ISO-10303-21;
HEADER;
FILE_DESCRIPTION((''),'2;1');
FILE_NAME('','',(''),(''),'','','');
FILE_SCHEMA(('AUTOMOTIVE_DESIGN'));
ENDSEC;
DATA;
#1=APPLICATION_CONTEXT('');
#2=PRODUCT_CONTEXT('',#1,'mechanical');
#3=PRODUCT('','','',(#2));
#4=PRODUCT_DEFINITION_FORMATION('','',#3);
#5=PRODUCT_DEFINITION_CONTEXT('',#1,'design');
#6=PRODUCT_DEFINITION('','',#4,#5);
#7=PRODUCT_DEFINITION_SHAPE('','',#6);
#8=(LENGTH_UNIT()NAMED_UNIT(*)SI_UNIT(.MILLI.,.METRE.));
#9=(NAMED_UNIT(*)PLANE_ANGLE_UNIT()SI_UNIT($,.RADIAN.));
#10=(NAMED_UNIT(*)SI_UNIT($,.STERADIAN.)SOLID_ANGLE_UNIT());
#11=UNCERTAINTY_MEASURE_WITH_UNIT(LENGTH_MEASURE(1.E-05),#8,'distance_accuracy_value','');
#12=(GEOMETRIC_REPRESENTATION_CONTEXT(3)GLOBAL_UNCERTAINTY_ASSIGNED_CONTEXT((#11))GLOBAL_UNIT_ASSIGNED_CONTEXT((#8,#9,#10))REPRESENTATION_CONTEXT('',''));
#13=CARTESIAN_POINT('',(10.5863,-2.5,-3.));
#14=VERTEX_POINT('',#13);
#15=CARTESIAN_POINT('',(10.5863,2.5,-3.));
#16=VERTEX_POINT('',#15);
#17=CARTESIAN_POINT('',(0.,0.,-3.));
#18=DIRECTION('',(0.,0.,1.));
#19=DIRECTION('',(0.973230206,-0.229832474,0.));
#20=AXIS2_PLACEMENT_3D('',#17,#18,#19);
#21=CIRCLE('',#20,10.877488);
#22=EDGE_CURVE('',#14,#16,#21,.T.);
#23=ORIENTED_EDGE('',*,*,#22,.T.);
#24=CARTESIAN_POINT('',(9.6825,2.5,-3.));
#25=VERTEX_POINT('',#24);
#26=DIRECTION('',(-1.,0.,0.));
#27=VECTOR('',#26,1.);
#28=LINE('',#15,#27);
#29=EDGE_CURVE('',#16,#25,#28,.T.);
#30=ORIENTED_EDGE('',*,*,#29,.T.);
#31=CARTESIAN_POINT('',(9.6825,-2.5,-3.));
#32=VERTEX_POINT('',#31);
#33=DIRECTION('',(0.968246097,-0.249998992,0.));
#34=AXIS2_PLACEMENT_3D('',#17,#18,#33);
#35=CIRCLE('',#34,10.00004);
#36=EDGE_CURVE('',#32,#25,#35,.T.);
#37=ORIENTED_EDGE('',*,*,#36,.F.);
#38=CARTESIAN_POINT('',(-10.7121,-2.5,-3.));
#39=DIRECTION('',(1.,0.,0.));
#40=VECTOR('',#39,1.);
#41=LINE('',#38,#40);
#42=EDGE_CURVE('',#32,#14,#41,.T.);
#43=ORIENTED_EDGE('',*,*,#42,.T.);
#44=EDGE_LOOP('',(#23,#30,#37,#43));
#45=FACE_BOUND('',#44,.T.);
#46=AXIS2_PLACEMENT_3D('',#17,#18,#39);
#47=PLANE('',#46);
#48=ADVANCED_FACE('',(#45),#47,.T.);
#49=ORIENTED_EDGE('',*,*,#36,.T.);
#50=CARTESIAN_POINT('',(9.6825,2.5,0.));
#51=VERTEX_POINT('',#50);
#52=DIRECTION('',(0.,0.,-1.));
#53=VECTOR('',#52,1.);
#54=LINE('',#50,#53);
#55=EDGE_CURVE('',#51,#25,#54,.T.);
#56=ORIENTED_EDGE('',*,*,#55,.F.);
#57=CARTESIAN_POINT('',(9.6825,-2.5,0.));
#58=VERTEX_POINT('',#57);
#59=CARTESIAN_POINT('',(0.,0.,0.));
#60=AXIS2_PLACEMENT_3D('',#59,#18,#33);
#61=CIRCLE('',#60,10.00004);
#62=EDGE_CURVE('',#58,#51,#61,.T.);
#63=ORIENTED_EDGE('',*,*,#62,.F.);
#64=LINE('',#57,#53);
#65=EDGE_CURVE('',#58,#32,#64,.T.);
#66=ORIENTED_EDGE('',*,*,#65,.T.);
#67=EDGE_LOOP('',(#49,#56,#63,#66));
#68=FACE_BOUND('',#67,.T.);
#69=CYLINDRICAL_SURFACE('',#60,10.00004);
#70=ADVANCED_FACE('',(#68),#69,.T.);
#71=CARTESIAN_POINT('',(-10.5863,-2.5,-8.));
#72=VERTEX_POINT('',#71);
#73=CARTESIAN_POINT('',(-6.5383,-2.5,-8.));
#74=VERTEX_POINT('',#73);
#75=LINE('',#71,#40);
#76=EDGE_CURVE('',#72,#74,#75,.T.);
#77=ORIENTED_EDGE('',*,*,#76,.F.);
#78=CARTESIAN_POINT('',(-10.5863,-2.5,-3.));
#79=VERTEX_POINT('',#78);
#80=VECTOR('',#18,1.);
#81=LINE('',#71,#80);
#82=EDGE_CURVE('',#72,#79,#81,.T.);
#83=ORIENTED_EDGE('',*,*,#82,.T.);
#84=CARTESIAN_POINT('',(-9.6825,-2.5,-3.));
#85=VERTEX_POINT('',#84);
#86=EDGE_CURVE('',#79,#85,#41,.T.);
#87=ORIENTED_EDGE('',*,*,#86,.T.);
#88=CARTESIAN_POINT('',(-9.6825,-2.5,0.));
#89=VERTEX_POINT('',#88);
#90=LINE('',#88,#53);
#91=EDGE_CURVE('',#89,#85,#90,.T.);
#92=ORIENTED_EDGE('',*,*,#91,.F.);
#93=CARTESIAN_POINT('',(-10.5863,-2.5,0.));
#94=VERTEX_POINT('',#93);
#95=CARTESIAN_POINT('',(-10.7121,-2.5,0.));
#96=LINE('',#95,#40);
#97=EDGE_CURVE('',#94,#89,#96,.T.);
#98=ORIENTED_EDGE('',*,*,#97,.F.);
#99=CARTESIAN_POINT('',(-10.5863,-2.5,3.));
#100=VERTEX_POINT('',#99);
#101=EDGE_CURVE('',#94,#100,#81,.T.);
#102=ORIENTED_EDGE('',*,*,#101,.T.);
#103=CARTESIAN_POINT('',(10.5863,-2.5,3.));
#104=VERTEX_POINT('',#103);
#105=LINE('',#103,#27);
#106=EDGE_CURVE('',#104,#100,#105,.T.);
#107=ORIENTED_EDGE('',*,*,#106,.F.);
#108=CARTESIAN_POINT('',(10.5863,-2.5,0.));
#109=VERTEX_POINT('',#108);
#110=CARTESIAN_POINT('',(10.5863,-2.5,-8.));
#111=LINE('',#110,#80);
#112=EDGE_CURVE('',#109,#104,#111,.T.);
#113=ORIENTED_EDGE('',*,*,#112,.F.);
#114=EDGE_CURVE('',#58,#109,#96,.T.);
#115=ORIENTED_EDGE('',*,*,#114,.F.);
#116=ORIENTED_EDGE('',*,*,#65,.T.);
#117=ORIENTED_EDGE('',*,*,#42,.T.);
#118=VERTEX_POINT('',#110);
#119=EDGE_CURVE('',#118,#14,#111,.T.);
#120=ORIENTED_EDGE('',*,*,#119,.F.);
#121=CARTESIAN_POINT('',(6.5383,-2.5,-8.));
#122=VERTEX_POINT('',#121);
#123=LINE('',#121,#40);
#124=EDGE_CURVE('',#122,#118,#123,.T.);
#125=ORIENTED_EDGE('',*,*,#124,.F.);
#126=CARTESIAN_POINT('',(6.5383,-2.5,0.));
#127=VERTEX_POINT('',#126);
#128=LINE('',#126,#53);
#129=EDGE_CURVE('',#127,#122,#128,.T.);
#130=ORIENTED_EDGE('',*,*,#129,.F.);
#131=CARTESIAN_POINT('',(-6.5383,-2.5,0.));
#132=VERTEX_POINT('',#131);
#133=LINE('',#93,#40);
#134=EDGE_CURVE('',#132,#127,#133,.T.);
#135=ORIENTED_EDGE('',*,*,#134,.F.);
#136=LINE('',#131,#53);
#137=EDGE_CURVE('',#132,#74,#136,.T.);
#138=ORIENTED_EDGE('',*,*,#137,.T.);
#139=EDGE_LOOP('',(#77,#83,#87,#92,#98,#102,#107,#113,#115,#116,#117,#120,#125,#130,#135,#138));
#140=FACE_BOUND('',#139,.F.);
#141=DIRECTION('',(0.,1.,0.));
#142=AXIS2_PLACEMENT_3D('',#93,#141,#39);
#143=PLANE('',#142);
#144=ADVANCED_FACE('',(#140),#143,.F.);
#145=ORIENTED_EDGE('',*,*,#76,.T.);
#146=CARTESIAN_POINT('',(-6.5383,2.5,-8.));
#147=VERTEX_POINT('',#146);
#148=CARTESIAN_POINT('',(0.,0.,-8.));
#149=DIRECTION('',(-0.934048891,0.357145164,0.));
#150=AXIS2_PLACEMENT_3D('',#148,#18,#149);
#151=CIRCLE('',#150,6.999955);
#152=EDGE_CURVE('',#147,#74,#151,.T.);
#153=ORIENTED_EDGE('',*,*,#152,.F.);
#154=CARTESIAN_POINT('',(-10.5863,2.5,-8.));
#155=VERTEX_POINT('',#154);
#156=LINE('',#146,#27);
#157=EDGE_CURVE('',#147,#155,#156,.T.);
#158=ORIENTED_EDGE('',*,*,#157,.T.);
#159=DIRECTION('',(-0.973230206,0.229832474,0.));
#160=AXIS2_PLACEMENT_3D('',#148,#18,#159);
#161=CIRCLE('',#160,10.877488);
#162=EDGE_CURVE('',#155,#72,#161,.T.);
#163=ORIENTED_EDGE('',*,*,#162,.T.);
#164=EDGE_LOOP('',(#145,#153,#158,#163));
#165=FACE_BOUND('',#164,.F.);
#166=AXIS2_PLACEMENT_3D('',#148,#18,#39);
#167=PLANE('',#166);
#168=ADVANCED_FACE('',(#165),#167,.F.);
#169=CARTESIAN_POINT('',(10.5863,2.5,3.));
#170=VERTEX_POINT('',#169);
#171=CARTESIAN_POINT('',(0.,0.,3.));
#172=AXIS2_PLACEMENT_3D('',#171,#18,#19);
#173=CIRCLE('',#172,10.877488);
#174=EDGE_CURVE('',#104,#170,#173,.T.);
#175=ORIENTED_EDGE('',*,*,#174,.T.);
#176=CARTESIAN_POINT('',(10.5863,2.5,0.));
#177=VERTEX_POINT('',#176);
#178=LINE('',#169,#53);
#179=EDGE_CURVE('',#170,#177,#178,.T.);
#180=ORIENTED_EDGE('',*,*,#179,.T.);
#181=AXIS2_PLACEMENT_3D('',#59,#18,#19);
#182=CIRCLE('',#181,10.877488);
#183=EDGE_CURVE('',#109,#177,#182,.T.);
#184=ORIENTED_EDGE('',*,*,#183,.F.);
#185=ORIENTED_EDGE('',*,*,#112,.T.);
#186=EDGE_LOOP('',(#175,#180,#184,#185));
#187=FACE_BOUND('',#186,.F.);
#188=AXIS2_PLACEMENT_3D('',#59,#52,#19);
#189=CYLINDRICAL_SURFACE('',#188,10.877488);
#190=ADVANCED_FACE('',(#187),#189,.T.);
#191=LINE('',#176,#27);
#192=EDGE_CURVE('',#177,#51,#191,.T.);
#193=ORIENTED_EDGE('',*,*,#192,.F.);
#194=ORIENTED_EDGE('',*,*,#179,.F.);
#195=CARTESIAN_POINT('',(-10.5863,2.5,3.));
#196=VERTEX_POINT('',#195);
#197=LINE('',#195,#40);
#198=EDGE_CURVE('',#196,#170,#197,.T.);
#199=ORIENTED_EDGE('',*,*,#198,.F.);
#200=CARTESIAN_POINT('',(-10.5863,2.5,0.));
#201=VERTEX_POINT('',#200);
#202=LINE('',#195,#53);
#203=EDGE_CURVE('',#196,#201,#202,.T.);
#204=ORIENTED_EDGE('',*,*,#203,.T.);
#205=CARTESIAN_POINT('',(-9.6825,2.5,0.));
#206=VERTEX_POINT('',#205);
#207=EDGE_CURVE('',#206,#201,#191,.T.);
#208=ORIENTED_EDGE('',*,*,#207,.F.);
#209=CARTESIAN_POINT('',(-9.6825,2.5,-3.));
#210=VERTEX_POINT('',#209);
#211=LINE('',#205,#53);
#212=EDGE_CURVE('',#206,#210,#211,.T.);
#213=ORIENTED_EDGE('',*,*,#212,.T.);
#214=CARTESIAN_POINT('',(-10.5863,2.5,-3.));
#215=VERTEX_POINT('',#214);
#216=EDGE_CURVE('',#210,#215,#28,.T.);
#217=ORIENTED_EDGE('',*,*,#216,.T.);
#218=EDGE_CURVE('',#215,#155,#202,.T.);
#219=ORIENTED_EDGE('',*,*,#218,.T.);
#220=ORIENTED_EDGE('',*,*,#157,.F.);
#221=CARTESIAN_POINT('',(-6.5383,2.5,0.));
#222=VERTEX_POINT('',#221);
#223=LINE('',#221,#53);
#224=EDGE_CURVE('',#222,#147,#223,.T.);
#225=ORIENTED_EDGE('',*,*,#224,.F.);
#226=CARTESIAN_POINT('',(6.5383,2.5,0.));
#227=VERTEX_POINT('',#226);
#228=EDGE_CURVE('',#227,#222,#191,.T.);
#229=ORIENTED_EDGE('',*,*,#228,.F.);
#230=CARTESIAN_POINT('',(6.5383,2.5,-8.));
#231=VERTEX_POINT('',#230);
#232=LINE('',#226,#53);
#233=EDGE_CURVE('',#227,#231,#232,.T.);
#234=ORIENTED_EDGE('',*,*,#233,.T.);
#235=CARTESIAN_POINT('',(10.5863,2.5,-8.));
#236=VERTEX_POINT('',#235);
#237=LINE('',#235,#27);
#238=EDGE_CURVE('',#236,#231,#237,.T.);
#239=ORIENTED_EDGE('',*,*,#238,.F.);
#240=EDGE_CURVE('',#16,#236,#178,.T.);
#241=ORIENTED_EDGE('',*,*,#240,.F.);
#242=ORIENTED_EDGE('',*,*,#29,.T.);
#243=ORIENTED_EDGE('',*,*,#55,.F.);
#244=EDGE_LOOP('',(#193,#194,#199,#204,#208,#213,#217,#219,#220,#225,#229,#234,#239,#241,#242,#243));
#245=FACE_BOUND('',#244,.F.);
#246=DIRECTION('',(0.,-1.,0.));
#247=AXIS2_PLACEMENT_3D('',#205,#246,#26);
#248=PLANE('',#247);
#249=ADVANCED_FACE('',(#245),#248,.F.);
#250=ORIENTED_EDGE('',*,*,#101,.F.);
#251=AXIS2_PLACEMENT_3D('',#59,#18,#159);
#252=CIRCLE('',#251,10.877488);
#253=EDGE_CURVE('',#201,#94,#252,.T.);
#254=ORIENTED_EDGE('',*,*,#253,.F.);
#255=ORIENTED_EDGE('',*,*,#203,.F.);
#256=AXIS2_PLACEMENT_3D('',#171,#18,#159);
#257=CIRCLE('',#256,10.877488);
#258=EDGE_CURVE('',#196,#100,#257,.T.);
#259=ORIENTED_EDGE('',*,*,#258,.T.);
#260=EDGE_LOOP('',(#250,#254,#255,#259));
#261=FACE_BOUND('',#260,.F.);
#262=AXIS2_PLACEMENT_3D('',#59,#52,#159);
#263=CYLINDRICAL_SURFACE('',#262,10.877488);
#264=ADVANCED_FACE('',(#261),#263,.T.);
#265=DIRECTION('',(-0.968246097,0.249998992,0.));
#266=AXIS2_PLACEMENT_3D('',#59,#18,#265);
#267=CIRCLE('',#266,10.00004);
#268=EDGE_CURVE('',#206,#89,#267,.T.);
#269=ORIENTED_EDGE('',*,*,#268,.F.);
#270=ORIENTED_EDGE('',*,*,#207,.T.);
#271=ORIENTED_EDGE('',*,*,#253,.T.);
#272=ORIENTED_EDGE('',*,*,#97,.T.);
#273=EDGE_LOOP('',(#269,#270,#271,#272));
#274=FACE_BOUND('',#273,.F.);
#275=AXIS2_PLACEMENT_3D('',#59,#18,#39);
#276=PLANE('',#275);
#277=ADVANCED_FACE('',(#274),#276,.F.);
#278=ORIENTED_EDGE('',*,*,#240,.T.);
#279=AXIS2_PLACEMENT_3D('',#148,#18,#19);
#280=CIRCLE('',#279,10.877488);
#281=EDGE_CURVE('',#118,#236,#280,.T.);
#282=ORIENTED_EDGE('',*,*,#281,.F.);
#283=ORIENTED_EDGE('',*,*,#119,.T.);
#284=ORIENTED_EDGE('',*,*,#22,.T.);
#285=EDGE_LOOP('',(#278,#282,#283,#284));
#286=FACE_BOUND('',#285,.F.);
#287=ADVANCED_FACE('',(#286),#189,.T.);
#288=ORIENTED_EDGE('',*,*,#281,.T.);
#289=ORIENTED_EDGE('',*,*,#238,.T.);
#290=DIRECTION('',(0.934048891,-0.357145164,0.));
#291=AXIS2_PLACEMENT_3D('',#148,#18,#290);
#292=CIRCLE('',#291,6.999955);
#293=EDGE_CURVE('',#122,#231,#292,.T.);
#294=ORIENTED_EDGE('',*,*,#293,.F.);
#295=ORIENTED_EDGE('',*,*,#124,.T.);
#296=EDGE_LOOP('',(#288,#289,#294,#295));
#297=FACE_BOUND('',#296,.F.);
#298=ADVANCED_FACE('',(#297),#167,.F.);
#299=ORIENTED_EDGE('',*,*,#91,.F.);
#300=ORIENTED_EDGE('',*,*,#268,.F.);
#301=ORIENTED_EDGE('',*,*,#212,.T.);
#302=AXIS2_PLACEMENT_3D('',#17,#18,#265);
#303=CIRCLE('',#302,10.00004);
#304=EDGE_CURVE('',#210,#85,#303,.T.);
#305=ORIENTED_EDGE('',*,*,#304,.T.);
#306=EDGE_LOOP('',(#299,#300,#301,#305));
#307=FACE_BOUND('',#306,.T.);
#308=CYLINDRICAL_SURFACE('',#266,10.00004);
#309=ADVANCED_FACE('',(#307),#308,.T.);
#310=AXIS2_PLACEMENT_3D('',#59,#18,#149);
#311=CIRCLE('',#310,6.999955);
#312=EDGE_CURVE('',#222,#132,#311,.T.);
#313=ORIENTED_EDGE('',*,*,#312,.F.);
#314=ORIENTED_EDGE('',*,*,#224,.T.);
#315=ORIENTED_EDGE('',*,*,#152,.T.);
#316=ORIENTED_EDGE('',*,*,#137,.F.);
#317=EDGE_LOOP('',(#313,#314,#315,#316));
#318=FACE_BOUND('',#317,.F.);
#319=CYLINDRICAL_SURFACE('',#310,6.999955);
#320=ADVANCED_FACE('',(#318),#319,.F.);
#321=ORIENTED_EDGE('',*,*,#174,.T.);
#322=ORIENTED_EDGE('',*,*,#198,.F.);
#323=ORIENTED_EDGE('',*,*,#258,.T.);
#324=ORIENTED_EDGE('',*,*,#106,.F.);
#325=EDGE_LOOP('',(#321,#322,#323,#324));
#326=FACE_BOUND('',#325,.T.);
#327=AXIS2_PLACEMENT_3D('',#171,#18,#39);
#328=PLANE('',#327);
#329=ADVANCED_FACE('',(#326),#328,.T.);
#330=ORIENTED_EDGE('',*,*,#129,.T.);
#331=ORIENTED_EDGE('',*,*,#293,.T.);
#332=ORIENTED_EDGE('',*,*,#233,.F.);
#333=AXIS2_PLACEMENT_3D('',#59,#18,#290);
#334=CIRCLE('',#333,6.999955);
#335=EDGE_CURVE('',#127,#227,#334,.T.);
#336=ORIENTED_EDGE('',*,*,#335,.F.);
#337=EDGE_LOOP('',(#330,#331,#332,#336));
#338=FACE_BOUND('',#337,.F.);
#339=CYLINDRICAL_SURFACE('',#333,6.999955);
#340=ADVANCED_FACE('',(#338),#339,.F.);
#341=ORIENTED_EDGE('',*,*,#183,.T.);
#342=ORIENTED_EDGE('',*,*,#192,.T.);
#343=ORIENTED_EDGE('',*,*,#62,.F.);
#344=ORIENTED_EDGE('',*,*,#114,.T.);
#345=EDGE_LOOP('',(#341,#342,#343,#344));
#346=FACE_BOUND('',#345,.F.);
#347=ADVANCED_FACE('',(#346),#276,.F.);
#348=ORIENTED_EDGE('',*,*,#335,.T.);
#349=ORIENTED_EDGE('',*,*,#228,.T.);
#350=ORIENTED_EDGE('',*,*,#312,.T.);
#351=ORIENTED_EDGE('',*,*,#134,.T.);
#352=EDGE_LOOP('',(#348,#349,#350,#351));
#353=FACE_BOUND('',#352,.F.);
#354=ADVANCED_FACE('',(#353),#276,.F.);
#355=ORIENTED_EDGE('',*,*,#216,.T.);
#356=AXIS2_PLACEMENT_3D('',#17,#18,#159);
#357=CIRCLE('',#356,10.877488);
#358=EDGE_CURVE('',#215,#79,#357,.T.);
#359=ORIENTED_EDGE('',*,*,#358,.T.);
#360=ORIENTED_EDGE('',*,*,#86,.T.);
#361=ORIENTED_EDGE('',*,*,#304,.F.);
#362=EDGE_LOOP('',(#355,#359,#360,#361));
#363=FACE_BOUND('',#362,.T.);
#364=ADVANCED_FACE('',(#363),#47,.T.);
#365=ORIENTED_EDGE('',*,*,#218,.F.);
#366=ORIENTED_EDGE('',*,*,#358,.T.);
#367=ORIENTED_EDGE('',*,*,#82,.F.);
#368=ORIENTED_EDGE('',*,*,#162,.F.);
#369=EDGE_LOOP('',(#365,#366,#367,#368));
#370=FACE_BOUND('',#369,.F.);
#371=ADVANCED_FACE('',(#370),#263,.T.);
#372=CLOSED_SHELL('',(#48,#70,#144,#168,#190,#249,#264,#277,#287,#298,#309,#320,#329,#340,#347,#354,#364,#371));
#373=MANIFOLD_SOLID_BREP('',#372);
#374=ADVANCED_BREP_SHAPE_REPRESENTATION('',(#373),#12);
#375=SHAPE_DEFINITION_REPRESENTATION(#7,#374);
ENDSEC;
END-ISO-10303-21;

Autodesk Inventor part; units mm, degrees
ref_plane "YZ Plane" through (0, 0, 0) normal (1, 0, 0) x (0, 1, 0)
ref_plane "XZ Plane" through (0, 0, 0) normal (0, 1, 0) x (-1, 0, 0)
ref_plane "XY Plane" through (0, 0, 0) normal (0, 0, 1) x (1, 0, 0)
sketch "Эскиз1" plane through (0, 0, 0) normal (0, 0, 1) x (1, 0, 0)
  line L0 (-10.7121, -2.5) -> (10.5863, -2.5)
  line L1 (10.5863, 2.5) -> (-10.5863, 2.5)
  line L2 (-10.6663, -2.1333) -> (10.6663, 2.1333) construction
  line L3 (10.6663, -2.1333) -> (-10.6663, 2.1333) construction
  arc A0 (6.5383, -2.5) -> (6.5383, 2.5) centre (0, 0) ccw
  line L4 (0, 2.5) -> (0, -2.5) construction
  arc A1 (6.5383, -2.5) -> (6.5383, 2.5) centre (0, 0) ccw
  arc A2 (6.5383, -2.5) -> (6.5383, 2.5) centre (0, 0) ccw
  arc A3 (-6.5383, 2.5) -> (-6.5383, -2.5) centre (0, 0) ccw
  arc A4 (6.5383, -2.5) -> (6.5383, 2.5) centre (0, 0) ccw
  arc A5 (-9.6825, 2.5) -> (-9.6825, -2.5) centre (0, 0) ccw
  arc A6 (9.6825, -2.5) -> (9.6825, 2.5) centre (0, 0) ccw
  arc A7 (-10.5863, 2.5) -> (-10.5863, -2.5) centre (0, 0) ccw
  arc A8 (10.5863, -2.5) -> (10.5863, 2.5) centre (0, 0) ccw
extrude "Выдавливание1" add sketch "Эскиз1" along normal blind 3
extrude "Выдавливание2" add sketch "Эскиз1" against normal blind 8 contours A7 L1 A5 L0 | A5 L1 A3 L0 | A0 L1 A6 L0 | A6 L1 A8 L0
extrude "Выдавливание3" cut sketch "Эскиз1" against normal blind 3 contours A7 L1 A5 L0 | A6 L1 A8 L0
properties part number "move male"
